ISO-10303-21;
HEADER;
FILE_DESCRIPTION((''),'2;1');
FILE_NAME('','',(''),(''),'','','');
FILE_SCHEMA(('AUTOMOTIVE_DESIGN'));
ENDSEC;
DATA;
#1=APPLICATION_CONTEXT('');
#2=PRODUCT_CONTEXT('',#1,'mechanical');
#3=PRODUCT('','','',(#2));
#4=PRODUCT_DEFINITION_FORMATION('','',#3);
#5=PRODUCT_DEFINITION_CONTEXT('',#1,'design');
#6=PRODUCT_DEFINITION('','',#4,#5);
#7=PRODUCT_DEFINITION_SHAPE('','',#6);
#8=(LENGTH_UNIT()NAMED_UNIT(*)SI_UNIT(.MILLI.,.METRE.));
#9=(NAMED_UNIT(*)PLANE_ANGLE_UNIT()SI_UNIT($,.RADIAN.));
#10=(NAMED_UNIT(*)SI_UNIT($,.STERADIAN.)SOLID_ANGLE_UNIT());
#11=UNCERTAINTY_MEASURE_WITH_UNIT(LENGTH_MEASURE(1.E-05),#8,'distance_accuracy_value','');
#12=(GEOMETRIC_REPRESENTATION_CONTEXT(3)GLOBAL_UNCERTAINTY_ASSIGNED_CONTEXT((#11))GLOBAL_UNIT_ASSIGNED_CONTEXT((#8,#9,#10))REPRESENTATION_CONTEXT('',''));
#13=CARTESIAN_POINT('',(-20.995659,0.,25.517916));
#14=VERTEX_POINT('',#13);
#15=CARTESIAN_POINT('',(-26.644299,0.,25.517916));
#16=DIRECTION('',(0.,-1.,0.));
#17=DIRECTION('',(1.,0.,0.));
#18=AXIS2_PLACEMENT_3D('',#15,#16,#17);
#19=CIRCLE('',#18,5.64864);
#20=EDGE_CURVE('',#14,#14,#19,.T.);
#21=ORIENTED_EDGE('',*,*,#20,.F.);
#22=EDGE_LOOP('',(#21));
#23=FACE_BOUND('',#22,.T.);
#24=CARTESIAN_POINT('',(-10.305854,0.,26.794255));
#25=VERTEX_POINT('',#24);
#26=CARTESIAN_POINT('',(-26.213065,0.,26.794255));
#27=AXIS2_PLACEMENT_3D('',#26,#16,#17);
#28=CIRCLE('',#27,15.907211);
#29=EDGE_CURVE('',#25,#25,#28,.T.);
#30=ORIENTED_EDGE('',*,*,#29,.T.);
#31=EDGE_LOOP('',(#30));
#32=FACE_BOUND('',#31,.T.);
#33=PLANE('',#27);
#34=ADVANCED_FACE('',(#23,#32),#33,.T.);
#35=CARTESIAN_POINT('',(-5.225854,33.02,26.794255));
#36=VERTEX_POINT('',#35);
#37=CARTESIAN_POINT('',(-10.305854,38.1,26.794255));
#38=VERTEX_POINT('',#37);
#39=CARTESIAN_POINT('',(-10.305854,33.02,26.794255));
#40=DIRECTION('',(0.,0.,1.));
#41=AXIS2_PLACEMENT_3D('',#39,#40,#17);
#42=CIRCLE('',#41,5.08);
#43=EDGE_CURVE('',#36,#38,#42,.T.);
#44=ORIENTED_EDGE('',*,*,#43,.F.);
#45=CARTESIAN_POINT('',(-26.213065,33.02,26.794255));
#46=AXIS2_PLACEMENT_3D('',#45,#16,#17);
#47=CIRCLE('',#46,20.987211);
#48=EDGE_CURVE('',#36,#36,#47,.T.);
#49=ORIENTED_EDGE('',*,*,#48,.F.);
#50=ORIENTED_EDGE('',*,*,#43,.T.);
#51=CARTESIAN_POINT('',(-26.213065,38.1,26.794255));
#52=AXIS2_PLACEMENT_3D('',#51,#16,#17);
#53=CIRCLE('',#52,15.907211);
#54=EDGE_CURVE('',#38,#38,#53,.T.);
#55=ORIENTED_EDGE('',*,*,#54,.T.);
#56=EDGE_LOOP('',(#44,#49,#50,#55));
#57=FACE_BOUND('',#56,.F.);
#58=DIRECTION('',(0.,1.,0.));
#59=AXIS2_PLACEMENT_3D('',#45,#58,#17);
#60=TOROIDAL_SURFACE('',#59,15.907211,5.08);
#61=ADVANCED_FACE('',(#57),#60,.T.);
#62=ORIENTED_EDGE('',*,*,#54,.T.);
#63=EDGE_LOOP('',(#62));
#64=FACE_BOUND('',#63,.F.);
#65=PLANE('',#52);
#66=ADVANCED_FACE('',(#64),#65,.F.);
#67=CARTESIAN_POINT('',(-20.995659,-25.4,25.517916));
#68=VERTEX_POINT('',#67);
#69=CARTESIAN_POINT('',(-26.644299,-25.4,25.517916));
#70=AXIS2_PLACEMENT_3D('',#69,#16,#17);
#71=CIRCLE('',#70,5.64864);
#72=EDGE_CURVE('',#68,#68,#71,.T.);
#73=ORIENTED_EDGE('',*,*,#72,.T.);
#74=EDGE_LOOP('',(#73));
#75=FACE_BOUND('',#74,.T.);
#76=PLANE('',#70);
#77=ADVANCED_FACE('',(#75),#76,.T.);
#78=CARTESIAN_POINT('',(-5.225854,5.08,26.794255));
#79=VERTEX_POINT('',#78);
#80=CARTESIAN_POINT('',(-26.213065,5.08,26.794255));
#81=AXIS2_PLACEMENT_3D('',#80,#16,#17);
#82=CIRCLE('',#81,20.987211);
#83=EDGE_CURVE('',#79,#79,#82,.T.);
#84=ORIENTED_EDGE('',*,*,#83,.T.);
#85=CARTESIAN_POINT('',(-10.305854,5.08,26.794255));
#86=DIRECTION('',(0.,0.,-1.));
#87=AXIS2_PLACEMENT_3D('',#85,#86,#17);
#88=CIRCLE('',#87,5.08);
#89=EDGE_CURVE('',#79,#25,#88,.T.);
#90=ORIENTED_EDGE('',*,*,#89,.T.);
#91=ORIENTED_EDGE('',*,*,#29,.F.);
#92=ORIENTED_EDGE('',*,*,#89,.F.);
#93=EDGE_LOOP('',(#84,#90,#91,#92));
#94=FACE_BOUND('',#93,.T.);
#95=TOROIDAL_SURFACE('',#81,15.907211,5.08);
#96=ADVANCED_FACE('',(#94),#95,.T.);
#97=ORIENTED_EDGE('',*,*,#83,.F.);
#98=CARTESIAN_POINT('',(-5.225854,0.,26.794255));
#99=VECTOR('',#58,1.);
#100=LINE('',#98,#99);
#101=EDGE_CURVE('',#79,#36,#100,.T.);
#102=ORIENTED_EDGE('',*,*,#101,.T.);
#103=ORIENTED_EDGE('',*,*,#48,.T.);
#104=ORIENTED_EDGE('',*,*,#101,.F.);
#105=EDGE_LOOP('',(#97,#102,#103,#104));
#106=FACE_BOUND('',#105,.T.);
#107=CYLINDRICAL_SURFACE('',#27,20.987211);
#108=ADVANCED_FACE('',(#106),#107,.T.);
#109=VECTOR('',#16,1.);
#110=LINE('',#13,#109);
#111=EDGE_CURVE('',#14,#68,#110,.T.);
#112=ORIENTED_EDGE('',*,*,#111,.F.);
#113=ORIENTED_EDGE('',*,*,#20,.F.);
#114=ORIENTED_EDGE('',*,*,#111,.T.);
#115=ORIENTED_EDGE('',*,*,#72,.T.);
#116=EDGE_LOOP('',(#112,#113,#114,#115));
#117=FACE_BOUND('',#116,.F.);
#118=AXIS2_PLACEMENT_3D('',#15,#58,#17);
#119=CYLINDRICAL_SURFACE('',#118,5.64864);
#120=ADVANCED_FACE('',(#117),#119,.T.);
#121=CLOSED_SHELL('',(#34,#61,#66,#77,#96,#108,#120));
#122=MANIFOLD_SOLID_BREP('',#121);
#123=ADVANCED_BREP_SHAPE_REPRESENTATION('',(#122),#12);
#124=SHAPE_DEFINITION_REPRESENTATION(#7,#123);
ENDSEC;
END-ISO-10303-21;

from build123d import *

# Parameters (mm, degrees)
F0_R     = 20.987211
F1_DEPTH = 38.1
F2_R     = 5.08
F3_R     = 5.64864
F4_DEPTH = 25.4


with BuildPart() as f1:
    # F0 (on Front) → F1 (new body)
    with BuildSketch(Plane.XZ):
        with Locations((-26.213065, 26.794255)):
            Circle(F0_R)
    extrude(amount=-F1_DEPTH)

    # F2
    f2_edges = [f1.edges().sort_by_distance(p)[0] for p in [
        (-47.200276, 0, 26.794255),
        (-5.225854, 19.05, 26.794255),
        (-47.200276, 38.1, 26.794255),
    ]]
    fillet(f2_edges, radius=F2_R)

    # F3 (on Front) → F4 (join)
    with BuildSketch(Plane.XZ):
        with Locations((-26.644299, 25.517916)):
            Circle(F3_R)
    extrude(amount=F4_DEPTH)


solid = f1.part
